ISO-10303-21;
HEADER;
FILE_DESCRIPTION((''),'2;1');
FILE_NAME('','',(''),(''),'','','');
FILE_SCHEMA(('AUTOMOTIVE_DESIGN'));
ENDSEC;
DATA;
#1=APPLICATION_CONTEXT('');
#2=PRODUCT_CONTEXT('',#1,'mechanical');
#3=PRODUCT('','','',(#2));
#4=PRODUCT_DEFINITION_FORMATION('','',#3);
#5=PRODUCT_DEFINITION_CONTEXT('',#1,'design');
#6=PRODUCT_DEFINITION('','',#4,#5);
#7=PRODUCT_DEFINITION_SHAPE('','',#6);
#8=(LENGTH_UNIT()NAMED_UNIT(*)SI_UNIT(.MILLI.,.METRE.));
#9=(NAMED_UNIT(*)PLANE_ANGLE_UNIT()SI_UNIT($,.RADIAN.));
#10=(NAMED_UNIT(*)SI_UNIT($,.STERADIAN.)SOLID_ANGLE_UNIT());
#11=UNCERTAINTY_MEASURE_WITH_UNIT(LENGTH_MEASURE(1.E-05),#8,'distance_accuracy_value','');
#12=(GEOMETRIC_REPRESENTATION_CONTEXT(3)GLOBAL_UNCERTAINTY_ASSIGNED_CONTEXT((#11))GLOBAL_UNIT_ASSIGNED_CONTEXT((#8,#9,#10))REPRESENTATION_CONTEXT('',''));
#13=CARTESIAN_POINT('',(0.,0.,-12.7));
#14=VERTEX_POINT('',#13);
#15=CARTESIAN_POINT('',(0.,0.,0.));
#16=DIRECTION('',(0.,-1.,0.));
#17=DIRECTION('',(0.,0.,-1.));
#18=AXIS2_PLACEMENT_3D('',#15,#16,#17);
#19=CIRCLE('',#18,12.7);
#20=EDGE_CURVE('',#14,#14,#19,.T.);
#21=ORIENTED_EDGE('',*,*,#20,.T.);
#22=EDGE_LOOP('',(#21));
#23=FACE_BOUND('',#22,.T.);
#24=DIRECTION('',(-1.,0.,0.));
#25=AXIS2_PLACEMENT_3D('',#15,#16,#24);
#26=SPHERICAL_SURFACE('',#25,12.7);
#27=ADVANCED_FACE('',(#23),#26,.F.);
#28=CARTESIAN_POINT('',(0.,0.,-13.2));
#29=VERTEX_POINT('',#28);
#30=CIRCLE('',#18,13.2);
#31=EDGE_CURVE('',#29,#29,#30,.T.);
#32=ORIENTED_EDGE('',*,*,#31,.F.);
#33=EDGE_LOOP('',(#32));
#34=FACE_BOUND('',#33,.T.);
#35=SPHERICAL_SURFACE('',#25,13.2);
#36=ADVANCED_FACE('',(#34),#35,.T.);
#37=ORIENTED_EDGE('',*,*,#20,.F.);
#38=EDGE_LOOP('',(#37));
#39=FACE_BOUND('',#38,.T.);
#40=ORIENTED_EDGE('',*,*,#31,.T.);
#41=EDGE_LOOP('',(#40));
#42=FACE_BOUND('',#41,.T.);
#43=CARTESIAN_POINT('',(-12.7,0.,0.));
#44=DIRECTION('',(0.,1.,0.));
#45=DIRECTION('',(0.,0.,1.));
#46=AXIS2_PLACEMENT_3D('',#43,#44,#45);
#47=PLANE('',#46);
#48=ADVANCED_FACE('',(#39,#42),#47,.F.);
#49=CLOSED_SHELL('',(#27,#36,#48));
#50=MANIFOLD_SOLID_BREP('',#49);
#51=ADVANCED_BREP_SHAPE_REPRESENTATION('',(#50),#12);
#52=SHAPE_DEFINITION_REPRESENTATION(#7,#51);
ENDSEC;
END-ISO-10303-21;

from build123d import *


with BuildPart() as part:
    # Sketch1 → Revolve2 (revolve)
    with BuildSketch(Plane.XY):
        with BuildLine():
            Line((-12.7, 0), (-13.2, 0))
            ThreePointArc((-13.2, 0), (-9.333809512, 9.333809512), (0, 13.2))
            Line((0, 13.2), (0, 12.7))
            ThreePointArc((0, 12.7), (-8.980256121, 8.980256121), (-12.7, 0))
        make_face()
    revolve(axis=Axis((0, 0, 0), (0, 1, 0)))


solid = part.part
